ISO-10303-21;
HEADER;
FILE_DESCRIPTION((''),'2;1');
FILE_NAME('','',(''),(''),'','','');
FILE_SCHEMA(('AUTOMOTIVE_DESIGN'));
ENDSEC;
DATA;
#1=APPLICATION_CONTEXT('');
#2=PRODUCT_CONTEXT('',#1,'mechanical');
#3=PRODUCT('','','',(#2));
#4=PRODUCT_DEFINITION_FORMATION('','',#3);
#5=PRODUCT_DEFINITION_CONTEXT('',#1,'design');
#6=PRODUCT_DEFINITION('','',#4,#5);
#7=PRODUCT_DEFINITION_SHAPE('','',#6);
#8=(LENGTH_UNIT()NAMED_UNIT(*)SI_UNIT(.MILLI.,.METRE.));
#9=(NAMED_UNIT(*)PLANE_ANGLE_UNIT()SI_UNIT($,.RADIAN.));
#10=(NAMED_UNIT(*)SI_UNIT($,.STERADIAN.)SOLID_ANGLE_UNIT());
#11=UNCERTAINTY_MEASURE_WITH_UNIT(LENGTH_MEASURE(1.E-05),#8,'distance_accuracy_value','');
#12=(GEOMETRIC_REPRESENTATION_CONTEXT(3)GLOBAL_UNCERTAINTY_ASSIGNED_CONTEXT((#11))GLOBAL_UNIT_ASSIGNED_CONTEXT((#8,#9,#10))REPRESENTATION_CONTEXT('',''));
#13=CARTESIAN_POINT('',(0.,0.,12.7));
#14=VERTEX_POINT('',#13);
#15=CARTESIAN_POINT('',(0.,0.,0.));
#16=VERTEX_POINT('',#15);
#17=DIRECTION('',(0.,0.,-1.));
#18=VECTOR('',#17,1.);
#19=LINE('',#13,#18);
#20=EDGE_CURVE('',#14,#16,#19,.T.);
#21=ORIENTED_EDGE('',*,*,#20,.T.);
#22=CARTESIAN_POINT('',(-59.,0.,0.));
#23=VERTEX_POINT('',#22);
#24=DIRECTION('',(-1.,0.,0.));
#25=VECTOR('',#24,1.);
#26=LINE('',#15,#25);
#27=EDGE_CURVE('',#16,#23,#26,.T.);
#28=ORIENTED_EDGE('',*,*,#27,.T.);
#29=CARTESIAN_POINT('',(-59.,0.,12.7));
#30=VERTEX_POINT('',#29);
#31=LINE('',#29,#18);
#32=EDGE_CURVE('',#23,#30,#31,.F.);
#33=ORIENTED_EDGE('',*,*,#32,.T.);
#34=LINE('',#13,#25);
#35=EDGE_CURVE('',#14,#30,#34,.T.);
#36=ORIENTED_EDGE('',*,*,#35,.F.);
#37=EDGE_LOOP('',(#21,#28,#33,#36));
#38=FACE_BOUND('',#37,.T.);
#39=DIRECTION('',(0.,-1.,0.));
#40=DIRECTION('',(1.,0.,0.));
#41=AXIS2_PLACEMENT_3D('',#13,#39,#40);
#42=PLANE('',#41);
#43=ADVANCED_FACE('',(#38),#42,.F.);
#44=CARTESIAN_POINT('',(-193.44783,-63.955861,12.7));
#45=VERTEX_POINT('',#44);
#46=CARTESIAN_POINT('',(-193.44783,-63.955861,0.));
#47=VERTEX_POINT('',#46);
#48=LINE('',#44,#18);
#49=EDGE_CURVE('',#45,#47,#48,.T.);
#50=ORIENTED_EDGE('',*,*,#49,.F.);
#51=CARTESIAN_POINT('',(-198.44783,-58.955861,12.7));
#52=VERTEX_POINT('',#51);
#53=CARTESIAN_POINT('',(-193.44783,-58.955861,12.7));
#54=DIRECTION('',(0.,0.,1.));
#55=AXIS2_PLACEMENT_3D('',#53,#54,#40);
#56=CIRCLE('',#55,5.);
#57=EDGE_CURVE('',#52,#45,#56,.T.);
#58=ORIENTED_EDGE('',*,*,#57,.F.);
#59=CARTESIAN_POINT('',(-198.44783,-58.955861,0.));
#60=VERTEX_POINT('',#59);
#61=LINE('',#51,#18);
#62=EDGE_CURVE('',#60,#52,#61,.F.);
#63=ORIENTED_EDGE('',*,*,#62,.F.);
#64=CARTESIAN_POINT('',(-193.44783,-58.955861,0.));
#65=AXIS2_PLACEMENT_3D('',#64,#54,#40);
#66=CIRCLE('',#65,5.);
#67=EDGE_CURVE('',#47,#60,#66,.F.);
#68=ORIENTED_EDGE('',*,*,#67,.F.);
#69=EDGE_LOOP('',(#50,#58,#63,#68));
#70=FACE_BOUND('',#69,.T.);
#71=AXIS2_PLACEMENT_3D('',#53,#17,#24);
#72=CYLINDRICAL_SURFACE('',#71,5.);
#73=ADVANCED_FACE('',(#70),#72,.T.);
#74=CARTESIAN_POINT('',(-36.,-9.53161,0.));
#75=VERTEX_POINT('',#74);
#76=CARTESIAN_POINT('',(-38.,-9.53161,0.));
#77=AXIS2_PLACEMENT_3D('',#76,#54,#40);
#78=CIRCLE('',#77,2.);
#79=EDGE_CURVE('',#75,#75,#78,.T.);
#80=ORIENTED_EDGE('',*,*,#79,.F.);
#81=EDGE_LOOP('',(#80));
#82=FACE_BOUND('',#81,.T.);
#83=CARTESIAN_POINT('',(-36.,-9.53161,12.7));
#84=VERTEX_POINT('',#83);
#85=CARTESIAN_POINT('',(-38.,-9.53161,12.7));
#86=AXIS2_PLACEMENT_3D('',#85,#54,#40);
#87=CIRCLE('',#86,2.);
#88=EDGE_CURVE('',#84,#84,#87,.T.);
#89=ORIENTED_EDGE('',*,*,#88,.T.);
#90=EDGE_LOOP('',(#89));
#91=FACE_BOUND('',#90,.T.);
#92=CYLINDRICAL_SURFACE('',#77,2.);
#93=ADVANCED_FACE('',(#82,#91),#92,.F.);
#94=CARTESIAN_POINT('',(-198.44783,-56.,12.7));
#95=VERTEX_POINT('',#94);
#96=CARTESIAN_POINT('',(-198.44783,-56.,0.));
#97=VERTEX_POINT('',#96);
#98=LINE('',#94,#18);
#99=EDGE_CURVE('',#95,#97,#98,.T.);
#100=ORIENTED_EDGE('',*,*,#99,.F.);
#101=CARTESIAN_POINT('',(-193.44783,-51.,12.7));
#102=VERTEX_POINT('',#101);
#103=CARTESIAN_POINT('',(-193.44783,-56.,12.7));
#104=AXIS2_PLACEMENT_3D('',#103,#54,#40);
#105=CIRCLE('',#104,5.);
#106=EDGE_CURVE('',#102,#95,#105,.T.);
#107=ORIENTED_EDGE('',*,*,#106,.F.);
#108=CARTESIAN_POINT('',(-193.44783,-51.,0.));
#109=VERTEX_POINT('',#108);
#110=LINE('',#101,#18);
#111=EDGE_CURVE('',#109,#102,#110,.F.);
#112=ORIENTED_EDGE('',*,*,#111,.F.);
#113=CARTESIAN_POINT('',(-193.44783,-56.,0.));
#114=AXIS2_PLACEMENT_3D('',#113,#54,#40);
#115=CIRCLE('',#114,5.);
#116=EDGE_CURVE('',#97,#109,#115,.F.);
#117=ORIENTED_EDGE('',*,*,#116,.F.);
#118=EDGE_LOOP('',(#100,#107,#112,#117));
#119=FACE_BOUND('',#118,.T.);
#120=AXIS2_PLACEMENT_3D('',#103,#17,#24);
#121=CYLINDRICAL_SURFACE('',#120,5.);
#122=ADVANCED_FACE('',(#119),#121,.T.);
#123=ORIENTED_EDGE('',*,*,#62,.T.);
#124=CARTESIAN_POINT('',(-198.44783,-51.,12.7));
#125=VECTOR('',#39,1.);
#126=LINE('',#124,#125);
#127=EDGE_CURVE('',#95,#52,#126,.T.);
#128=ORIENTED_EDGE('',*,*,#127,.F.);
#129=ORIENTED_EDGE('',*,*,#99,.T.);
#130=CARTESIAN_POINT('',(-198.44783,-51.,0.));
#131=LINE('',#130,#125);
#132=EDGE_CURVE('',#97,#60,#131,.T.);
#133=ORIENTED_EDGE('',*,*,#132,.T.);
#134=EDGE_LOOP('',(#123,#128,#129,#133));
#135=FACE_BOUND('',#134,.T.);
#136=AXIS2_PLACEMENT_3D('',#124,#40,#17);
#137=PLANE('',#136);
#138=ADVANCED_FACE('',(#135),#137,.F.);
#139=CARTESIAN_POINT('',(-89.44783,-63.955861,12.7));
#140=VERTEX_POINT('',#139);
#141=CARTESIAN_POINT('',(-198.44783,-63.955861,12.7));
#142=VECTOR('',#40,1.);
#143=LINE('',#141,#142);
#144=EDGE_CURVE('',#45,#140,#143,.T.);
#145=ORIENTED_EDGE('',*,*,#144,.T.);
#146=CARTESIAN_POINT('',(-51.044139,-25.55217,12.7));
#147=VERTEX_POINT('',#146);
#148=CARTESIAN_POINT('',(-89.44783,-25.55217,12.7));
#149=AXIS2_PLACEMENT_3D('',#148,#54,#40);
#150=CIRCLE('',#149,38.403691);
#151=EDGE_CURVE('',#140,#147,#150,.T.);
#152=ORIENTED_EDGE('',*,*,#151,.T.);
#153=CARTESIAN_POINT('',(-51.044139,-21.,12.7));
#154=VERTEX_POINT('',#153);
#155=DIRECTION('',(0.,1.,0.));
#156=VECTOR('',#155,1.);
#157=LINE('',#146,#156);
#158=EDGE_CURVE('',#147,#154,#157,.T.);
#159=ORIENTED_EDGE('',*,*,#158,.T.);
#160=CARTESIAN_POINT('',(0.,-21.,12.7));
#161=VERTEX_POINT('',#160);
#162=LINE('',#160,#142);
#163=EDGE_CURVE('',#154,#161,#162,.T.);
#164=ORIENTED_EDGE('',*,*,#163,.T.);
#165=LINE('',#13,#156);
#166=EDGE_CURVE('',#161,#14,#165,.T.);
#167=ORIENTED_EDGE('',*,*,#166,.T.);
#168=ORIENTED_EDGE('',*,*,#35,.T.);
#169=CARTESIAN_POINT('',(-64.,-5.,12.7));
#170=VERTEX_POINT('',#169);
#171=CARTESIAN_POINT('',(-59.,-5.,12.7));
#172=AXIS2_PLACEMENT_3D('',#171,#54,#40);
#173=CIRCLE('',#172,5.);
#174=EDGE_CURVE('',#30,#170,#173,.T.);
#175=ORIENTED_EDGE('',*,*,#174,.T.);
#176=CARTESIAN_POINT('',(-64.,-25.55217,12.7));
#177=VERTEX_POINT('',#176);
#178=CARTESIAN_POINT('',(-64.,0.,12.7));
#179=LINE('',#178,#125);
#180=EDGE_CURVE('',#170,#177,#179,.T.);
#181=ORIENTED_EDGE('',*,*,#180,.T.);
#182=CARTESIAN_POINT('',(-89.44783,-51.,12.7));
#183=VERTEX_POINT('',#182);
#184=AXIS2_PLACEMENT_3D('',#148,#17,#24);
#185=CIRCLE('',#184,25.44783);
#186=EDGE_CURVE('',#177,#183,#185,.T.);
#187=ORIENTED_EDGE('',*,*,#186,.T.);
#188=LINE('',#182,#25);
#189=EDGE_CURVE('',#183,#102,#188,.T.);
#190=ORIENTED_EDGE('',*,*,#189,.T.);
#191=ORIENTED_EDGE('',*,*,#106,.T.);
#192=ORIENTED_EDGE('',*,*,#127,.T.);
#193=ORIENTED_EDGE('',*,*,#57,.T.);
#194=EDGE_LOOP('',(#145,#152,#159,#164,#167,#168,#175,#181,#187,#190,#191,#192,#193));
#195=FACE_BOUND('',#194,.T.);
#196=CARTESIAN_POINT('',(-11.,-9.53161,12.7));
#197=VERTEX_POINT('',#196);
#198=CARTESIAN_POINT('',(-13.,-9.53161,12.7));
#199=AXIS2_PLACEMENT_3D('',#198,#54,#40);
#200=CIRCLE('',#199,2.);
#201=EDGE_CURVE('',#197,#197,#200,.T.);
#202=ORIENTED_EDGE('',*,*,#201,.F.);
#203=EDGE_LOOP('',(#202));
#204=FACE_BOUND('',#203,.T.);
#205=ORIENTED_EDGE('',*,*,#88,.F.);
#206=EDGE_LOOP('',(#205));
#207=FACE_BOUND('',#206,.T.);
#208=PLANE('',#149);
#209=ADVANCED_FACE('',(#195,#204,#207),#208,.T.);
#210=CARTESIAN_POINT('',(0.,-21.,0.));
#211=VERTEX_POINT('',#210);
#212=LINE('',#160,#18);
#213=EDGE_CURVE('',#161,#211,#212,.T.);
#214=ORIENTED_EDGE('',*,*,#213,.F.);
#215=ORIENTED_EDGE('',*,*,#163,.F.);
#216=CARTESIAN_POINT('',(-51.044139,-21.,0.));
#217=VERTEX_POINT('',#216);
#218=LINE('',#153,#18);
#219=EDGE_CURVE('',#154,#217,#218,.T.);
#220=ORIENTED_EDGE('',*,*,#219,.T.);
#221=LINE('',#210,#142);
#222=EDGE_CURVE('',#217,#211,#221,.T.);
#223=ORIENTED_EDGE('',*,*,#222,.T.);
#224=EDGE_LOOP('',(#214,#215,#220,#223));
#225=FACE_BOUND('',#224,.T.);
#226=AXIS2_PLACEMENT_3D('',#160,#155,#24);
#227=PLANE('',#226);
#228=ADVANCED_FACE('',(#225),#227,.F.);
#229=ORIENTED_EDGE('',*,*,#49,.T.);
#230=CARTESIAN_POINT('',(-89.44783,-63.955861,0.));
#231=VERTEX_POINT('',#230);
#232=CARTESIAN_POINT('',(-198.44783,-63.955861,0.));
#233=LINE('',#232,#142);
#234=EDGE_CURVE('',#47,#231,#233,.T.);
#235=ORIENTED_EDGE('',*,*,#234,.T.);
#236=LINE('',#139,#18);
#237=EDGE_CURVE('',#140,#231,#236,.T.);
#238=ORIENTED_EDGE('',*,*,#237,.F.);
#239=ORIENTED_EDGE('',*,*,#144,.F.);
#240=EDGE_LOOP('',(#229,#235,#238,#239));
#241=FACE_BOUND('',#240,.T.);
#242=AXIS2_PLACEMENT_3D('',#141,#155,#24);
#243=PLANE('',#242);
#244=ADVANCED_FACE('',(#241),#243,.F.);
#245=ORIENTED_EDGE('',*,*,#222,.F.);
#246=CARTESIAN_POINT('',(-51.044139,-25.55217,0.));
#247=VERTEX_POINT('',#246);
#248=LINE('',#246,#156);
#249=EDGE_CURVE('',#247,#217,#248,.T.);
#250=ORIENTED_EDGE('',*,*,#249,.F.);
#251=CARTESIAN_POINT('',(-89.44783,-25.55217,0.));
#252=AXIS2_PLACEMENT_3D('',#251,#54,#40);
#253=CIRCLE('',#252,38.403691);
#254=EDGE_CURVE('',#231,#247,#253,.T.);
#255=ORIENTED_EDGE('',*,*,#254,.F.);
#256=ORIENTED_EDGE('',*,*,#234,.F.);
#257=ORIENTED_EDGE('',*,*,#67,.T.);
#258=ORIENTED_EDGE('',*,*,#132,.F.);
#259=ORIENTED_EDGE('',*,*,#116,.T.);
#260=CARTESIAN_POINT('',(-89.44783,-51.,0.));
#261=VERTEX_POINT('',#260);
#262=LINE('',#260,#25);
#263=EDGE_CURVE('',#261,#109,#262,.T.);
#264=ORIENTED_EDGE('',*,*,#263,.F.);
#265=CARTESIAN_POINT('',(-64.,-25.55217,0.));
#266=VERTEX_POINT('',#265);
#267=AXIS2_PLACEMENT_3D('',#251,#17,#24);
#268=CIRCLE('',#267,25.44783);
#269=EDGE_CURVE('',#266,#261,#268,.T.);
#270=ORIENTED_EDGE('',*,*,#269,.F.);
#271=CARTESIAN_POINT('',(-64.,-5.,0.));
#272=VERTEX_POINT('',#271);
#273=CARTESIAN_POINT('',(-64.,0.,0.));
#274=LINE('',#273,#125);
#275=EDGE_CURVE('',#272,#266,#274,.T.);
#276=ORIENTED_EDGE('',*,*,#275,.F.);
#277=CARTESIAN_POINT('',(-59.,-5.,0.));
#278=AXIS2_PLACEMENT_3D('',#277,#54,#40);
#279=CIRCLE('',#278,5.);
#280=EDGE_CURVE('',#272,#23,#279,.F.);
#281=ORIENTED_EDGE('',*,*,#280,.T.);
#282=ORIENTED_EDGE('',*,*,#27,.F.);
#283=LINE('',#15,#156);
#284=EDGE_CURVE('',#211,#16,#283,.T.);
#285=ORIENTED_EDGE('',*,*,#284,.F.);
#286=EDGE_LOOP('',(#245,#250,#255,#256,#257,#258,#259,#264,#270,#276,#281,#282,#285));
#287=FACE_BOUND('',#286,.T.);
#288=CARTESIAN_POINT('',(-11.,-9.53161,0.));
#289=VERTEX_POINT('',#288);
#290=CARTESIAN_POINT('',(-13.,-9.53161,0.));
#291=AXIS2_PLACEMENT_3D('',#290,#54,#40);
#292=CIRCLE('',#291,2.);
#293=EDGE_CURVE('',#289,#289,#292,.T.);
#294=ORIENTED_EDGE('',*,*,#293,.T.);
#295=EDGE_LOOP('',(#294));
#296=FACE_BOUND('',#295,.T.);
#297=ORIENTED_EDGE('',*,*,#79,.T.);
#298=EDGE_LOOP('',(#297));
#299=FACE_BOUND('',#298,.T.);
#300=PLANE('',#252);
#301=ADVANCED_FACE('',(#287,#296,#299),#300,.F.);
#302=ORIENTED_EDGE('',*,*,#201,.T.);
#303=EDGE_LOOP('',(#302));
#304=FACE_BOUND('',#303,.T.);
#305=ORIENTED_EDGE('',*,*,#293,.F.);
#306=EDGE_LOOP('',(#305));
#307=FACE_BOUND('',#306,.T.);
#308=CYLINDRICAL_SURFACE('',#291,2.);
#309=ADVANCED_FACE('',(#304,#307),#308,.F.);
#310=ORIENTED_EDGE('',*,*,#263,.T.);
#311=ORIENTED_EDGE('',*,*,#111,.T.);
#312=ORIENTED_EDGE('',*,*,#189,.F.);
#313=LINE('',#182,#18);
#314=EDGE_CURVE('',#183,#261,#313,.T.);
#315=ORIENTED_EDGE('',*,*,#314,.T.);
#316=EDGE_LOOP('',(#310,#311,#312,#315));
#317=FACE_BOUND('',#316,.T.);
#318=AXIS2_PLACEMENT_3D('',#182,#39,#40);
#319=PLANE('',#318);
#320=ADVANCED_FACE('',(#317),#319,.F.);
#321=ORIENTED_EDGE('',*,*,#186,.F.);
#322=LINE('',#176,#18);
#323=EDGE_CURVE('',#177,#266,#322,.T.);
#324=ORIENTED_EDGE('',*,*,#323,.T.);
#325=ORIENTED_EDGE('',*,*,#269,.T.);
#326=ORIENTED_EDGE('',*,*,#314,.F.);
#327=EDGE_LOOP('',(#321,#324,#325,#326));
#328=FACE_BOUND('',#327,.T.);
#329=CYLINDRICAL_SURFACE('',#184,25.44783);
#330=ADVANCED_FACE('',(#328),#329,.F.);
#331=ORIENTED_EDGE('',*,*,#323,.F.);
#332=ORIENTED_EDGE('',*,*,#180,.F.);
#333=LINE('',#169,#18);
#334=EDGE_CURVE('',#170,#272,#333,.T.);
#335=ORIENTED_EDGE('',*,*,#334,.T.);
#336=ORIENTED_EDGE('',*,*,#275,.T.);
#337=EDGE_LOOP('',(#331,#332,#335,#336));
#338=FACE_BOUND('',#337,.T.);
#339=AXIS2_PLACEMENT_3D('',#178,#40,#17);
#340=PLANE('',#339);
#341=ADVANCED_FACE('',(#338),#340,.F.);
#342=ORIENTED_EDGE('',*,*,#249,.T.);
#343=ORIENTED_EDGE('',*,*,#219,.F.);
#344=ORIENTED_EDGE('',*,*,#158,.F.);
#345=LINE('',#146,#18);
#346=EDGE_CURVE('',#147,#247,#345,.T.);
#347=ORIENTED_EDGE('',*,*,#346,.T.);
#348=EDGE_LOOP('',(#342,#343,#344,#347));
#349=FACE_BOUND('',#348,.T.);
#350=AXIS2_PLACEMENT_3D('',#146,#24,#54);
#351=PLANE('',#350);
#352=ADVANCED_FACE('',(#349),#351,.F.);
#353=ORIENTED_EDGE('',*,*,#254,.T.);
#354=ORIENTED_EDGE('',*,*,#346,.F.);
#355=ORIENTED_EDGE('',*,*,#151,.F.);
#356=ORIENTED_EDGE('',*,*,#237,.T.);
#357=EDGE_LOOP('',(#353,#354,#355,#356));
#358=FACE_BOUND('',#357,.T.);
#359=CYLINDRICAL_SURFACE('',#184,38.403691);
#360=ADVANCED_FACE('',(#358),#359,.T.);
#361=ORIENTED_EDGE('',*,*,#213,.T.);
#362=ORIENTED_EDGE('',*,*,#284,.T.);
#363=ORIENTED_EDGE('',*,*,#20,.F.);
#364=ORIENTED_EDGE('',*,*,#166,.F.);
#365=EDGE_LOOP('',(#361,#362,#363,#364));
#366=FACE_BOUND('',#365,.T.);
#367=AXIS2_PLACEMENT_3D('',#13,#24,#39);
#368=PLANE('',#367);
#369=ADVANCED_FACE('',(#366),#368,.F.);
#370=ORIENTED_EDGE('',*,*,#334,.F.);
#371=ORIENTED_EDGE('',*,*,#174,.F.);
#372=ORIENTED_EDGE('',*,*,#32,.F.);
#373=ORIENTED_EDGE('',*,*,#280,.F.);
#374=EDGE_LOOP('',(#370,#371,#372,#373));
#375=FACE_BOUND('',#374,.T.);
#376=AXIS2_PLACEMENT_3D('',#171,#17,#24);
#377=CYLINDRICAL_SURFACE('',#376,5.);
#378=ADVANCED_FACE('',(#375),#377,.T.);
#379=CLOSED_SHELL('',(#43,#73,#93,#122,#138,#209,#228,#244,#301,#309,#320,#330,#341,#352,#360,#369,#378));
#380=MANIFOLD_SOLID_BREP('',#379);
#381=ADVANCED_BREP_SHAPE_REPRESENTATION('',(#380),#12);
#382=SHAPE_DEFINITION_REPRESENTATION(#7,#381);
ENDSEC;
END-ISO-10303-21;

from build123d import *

# Parameters (mm, degrees)
BOSS_EXTRUDE1_DEPTH = 12.7
FILLET1_R           = 5
SKETCH2_R           = 2
CUT_EXTRUDE1_DEPTH  = 13.7


with BuildPart() as part:
    # Sketch1 → Boss-Extrude1 (new body)
    with BuildSketch(Plane.XY):
        with BuildLine():
            Line((0, 0), (-64, 0))
            Line((-64, 0), (-64, -25.552169744))
            ThreePointArc((-64, -25.552169744), (-71.453496915, -43.546503085), (-89.447830256, -51))
            Line((-89.447830256, -51), (-198.447830256, -51))
            Line((-198.447830256, -51), (-198.447830256, -63.95586098))
            Line((-198.447830256, -63.95586098), (-89.447830256, -63.95586098))
            ThreePointArc((-89.447830256, -63.95586098), (-62.29231976, -52.70768024), (-51.04413902, -25.552169744))
            Line((-51.04413902, -25.552169744), (-51.04413902, -21))
            Line((-51.04413902, -21), (0, -21))
            Line((0, -21), (0, 0))
        make_face()
    extrude(amount=BOSS_EXTRUDE1_DEPTH)

    # Fillet1
    fillet1_edges = [part.edges().sort_by_distance(p)[0] for p in [
        (-198.447830256, -63.95586098, 6.35),
        (-198.447830256, -51, 6.35),
        (-64, 0, 6.35),
    ]]
    fillet(fillet1_edges, radius=FILLET1_R)

    # Sketch2 → Cut-Extrude1 (cut, through all)
    with BuildSketch(Plane.XY.offset(12.7)):
        with Locations((-13, -9.531609903)):
            Circle(SKETCH2_R)
        with Locations((-38, -9.531609903)):
            Circle(SKETCH2_R)
    extrude(amount=-CUT_EXTRUDE1_DEPTH, mode=Mode.SUBTRACT)


solid = part.part
